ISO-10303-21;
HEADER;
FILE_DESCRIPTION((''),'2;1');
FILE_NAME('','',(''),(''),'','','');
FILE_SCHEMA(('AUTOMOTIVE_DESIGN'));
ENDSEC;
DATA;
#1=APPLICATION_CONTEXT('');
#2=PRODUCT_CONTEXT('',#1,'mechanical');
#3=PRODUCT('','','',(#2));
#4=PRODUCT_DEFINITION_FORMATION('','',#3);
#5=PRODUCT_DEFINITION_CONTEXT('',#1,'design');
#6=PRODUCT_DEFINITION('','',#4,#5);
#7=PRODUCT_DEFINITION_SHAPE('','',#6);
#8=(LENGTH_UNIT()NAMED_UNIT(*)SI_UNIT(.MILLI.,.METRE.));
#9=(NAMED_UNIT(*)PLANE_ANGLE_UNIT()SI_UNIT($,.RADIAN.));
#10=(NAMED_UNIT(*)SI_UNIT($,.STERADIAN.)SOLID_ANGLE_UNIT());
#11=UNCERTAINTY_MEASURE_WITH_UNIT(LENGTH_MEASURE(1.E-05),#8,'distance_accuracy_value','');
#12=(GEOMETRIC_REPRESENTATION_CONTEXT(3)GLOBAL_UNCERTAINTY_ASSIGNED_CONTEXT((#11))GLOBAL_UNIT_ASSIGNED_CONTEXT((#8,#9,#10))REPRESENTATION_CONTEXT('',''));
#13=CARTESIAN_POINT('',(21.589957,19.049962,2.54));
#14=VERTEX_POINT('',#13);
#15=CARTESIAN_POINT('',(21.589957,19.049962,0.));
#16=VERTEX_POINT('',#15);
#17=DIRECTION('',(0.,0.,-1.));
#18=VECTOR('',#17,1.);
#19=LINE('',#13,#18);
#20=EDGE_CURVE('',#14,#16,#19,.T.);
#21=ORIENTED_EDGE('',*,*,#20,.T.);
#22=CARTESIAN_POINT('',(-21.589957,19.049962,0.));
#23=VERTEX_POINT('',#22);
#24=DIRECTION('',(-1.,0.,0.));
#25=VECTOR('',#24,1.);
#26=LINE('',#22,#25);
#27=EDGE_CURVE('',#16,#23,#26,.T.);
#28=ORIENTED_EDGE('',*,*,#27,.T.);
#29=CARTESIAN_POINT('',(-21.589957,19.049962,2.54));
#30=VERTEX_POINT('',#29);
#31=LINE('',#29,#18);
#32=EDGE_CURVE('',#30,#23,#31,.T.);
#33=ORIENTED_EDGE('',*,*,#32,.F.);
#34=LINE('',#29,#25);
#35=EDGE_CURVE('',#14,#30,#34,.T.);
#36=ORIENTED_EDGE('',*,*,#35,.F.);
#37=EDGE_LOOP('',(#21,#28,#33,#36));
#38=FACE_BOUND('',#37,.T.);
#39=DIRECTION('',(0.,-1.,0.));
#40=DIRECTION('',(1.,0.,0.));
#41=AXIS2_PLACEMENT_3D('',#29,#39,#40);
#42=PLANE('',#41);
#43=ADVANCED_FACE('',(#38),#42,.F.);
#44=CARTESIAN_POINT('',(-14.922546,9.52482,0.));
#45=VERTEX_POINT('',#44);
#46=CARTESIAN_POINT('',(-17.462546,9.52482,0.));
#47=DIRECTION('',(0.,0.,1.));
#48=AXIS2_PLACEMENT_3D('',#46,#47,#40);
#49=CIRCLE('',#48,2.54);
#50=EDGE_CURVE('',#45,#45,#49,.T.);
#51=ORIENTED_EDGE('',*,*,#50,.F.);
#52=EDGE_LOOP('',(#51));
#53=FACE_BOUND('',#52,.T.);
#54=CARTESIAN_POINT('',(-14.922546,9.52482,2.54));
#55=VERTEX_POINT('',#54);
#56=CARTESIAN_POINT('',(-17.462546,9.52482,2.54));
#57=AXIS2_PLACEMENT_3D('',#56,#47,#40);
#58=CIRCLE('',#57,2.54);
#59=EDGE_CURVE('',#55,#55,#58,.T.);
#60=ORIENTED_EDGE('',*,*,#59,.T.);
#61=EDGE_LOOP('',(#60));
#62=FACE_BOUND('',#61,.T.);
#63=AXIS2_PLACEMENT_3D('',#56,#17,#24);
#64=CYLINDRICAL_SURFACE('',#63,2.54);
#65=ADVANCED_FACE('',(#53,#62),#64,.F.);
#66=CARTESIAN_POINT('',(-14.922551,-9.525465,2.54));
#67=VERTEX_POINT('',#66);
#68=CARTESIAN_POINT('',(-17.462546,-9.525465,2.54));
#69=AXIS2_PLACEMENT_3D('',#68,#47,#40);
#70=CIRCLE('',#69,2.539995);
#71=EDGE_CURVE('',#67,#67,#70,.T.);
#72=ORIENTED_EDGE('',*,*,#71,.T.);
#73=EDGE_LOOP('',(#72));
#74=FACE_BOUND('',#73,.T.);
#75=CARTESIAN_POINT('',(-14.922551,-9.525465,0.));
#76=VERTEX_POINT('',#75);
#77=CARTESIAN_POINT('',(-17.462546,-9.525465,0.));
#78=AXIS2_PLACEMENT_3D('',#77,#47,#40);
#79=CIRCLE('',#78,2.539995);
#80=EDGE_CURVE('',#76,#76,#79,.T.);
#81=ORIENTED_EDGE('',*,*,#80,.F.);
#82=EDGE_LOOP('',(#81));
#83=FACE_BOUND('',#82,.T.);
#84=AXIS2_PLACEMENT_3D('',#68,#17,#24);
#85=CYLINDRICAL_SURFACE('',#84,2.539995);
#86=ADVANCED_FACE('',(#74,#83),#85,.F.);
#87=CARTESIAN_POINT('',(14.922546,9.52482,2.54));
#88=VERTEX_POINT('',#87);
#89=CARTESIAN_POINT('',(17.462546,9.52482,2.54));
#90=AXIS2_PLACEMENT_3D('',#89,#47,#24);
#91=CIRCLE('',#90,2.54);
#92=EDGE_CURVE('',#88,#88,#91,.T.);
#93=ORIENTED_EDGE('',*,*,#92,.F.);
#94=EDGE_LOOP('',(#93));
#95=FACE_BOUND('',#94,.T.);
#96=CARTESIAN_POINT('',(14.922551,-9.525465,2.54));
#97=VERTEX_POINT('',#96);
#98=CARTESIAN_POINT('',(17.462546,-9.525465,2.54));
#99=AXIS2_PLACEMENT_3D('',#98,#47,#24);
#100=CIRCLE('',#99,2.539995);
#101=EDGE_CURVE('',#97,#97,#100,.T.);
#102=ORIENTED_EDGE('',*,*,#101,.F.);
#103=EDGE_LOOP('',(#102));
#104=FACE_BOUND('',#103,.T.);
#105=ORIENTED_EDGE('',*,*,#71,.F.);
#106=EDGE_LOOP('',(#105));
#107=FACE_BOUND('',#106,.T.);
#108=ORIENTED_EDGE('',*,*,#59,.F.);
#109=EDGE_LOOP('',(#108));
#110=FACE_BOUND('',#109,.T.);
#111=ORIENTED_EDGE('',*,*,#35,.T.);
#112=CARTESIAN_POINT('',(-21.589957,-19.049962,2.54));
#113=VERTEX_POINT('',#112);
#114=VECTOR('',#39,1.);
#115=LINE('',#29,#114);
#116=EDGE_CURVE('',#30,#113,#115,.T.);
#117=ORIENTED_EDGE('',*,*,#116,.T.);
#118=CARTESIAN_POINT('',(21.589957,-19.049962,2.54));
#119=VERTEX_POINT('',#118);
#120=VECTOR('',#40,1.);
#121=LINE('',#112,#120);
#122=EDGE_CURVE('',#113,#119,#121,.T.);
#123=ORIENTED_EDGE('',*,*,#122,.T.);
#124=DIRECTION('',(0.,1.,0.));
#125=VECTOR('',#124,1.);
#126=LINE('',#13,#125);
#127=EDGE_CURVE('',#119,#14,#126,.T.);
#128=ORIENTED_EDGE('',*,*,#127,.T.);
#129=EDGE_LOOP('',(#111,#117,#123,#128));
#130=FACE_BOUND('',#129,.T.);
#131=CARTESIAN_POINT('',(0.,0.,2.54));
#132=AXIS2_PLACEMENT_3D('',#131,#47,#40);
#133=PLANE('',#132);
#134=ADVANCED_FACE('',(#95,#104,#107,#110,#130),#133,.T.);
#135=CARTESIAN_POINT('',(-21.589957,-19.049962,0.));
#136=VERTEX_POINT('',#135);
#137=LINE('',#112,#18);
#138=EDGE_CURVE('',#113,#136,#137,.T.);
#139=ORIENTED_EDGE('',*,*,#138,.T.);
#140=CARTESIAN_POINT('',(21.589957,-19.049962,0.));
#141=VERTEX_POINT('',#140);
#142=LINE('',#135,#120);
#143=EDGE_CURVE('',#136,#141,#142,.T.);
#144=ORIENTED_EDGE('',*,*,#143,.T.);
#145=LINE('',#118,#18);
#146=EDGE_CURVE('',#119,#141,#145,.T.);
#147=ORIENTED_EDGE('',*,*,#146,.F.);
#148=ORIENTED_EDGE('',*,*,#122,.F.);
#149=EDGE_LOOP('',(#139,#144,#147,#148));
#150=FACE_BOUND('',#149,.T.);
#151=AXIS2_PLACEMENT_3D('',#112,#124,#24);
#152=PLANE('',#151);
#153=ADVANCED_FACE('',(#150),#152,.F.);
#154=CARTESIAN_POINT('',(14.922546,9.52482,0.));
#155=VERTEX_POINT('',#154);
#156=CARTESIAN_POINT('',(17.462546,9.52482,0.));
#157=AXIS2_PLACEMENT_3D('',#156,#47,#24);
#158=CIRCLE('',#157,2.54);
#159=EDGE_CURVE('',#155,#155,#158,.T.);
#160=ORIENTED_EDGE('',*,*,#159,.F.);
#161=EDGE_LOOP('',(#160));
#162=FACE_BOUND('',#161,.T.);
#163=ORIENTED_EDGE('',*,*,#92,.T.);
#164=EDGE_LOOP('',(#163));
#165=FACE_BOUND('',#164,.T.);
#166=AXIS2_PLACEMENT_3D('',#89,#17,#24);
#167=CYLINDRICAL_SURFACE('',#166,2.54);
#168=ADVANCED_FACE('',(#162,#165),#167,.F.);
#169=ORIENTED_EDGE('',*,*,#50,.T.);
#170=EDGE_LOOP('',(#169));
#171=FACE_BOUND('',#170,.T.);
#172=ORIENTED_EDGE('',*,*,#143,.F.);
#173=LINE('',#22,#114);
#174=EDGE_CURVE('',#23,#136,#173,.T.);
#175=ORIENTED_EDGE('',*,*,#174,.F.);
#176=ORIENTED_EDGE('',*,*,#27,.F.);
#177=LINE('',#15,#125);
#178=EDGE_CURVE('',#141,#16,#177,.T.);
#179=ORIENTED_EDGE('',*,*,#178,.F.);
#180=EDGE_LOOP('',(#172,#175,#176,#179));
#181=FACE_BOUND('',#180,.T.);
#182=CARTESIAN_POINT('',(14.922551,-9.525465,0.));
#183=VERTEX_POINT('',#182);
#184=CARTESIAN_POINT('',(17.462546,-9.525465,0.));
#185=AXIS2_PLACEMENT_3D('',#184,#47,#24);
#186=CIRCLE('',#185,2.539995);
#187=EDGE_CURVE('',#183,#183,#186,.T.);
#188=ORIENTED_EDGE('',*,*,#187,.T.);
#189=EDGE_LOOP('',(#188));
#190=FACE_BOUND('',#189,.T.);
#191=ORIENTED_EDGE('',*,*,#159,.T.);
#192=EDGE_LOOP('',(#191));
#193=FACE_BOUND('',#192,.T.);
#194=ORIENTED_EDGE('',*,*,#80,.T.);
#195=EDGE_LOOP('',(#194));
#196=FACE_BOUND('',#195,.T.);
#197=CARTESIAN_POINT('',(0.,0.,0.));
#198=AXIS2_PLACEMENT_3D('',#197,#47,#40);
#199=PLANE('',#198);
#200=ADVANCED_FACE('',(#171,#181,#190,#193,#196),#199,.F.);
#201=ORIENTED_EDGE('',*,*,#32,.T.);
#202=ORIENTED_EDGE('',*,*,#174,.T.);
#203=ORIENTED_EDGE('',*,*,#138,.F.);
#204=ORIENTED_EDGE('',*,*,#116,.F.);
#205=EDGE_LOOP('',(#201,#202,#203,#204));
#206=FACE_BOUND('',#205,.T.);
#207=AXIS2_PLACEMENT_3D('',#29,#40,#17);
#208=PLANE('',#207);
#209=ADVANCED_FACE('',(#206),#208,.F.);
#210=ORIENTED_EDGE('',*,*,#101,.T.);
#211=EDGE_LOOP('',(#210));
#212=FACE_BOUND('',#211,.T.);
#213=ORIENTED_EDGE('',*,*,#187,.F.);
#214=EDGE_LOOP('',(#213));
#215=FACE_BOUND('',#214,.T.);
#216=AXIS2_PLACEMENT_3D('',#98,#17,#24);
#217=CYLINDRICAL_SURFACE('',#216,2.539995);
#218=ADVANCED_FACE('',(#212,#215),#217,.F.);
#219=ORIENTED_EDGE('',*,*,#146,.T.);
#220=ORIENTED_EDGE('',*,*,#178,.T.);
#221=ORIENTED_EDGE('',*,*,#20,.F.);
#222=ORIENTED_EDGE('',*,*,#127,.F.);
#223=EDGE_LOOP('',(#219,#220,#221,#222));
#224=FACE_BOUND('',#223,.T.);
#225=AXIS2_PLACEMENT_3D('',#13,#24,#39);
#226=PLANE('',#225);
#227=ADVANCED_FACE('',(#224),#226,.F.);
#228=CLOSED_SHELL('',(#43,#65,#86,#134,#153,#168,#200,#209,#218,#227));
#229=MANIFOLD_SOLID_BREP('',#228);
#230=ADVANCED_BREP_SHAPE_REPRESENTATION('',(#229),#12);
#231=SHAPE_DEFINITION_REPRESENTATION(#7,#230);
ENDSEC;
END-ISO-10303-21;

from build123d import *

# Parameters (mm, degrees)
SKETCH1_W           = 43.17991364
SKETCH1_H           = 38.0999238
SKETCH1_R           = 2.54
SKETCH1_R_2         = 2.53999492
BOSS_EXTRUDE1_DEPTH = 2.54


with BuildPart() as part:
    # Sketch1 → Boss-Extrude1 (new body)
    with BuildSketch(Plane.XY):
        Rectangle(SKETCH1_W, SKETCH1_H)
        with Locations((-17.46254572, 9.52481966)):
            Circle(SKETCH1_R, mode=Mode.SUBTRACT)
        with Locations((-17.46254572, -9.52546482)):
            Circle(SKETCH1_R_2, mode=Mode.SUBTRACT)
        with Locations((17.46254572, -9.52546482)):
            Circle(SKETCH1_R_2, mode=Mode.SUBTRACT)
        with Locations((17.46254572, 9.52481966)):
            Circle(SKETCH1_R, mode=Mode.SUBTRACT)
    extrude(amount=BOSS_EXTRUDE1_DEPTH)


solid = part.part
